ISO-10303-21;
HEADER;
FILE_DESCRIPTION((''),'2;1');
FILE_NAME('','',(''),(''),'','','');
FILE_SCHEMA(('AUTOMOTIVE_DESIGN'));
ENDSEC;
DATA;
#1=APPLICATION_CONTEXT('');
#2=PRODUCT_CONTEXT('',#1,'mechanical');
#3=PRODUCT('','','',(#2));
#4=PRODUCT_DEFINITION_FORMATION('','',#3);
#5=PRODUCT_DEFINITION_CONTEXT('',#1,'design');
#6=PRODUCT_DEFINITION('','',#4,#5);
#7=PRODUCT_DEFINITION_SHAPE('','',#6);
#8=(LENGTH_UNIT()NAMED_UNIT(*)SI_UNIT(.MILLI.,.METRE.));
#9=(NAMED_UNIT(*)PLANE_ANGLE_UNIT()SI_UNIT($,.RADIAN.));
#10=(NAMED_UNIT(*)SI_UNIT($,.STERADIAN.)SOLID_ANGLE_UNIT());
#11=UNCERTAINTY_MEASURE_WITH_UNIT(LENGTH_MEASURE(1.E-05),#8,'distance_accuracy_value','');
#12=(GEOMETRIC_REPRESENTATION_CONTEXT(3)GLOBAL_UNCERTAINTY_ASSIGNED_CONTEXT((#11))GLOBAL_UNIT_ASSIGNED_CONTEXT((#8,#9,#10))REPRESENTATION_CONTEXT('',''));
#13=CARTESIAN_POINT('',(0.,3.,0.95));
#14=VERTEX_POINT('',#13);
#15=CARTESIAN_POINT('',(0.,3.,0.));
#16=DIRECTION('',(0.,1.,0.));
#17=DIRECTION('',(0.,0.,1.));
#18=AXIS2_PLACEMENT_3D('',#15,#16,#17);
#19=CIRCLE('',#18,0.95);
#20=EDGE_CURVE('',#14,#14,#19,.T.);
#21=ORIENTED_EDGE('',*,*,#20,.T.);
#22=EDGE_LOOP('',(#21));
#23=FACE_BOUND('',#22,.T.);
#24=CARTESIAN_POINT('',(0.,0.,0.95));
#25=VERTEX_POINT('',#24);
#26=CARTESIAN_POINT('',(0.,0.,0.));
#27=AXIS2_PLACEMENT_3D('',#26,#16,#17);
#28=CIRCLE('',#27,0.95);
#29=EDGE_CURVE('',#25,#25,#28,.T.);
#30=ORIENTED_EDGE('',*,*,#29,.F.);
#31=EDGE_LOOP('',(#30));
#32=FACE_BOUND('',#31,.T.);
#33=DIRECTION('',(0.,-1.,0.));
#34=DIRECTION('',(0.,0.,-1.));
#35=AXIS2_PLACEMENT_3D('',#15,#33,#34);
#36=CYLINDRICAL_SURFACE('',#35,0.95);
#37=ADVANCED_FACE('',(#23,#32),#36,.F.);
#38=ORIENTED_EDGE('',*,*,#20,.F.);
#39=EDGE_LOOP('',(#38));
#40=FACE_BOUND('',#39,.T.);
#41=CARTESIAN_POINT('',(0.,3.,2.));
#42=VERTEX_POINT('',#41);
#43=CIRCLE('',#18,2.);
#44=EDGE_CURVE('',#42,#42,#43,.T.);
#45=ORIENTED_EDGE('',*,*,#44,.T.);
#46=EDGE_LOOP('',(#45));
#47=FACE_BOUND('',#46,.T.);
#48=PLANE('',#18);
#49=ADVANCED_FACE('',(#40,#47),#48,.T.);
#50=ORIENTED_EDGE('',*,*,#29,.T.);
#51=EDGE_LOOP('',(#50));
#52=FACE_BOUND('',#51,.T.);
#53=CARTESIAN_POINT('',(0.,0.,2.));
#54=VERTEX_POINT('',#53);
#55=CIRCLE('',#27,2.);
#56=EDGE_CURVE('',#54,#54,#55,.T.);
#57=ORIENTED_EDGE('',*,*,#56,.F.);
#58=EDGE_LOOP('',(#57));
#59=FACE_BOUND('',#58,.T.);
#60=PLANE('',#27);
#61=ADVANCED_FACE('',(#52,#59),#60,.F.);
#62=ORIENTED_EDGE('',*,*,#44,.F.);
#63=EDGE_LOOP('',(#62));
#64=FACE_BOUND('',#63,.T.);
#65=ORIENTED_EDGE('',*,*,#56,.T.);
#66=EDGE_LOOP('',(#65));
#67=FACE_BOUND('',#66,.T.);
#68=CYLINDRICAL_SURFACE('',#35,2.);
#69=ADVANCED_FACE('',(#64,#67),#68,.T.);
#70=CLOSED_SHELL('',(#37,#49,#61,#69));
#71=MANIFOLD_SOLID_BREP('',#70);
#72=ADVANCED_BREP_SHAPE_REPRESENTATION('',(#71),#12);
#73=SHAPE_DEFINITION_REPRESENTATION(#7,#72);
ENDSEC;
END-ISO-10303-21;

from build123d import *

# Parameters (mm, degrees)
ESBO_O1_R                = 2
ESBO_O1_R_2              = 0.95
RESSALTO_EXTRUS_O1_DEPTH = 3


with BuildPart() as part:
    # Esboço1 → Ressalto-extrusão1 (new body)
    with BuildSketch(Plane(origin=(0, 0, 0), x_dir=(1, 0, 0), z_dir=(0, 1, 0))):
        with Locations(Location((0, 0, 0), (0, 0, 270))):
            Circle(ESBO_O1_R)
        with Locations(Location((0, 0, 0), (0, 0, 270))):
            Circle(ESBO_O1_R_2, mode=Mode.SUBTRACT)
    extrude(amount=RESSALTO_EXTRUS_O1_DEPTH)


solid = part.part
